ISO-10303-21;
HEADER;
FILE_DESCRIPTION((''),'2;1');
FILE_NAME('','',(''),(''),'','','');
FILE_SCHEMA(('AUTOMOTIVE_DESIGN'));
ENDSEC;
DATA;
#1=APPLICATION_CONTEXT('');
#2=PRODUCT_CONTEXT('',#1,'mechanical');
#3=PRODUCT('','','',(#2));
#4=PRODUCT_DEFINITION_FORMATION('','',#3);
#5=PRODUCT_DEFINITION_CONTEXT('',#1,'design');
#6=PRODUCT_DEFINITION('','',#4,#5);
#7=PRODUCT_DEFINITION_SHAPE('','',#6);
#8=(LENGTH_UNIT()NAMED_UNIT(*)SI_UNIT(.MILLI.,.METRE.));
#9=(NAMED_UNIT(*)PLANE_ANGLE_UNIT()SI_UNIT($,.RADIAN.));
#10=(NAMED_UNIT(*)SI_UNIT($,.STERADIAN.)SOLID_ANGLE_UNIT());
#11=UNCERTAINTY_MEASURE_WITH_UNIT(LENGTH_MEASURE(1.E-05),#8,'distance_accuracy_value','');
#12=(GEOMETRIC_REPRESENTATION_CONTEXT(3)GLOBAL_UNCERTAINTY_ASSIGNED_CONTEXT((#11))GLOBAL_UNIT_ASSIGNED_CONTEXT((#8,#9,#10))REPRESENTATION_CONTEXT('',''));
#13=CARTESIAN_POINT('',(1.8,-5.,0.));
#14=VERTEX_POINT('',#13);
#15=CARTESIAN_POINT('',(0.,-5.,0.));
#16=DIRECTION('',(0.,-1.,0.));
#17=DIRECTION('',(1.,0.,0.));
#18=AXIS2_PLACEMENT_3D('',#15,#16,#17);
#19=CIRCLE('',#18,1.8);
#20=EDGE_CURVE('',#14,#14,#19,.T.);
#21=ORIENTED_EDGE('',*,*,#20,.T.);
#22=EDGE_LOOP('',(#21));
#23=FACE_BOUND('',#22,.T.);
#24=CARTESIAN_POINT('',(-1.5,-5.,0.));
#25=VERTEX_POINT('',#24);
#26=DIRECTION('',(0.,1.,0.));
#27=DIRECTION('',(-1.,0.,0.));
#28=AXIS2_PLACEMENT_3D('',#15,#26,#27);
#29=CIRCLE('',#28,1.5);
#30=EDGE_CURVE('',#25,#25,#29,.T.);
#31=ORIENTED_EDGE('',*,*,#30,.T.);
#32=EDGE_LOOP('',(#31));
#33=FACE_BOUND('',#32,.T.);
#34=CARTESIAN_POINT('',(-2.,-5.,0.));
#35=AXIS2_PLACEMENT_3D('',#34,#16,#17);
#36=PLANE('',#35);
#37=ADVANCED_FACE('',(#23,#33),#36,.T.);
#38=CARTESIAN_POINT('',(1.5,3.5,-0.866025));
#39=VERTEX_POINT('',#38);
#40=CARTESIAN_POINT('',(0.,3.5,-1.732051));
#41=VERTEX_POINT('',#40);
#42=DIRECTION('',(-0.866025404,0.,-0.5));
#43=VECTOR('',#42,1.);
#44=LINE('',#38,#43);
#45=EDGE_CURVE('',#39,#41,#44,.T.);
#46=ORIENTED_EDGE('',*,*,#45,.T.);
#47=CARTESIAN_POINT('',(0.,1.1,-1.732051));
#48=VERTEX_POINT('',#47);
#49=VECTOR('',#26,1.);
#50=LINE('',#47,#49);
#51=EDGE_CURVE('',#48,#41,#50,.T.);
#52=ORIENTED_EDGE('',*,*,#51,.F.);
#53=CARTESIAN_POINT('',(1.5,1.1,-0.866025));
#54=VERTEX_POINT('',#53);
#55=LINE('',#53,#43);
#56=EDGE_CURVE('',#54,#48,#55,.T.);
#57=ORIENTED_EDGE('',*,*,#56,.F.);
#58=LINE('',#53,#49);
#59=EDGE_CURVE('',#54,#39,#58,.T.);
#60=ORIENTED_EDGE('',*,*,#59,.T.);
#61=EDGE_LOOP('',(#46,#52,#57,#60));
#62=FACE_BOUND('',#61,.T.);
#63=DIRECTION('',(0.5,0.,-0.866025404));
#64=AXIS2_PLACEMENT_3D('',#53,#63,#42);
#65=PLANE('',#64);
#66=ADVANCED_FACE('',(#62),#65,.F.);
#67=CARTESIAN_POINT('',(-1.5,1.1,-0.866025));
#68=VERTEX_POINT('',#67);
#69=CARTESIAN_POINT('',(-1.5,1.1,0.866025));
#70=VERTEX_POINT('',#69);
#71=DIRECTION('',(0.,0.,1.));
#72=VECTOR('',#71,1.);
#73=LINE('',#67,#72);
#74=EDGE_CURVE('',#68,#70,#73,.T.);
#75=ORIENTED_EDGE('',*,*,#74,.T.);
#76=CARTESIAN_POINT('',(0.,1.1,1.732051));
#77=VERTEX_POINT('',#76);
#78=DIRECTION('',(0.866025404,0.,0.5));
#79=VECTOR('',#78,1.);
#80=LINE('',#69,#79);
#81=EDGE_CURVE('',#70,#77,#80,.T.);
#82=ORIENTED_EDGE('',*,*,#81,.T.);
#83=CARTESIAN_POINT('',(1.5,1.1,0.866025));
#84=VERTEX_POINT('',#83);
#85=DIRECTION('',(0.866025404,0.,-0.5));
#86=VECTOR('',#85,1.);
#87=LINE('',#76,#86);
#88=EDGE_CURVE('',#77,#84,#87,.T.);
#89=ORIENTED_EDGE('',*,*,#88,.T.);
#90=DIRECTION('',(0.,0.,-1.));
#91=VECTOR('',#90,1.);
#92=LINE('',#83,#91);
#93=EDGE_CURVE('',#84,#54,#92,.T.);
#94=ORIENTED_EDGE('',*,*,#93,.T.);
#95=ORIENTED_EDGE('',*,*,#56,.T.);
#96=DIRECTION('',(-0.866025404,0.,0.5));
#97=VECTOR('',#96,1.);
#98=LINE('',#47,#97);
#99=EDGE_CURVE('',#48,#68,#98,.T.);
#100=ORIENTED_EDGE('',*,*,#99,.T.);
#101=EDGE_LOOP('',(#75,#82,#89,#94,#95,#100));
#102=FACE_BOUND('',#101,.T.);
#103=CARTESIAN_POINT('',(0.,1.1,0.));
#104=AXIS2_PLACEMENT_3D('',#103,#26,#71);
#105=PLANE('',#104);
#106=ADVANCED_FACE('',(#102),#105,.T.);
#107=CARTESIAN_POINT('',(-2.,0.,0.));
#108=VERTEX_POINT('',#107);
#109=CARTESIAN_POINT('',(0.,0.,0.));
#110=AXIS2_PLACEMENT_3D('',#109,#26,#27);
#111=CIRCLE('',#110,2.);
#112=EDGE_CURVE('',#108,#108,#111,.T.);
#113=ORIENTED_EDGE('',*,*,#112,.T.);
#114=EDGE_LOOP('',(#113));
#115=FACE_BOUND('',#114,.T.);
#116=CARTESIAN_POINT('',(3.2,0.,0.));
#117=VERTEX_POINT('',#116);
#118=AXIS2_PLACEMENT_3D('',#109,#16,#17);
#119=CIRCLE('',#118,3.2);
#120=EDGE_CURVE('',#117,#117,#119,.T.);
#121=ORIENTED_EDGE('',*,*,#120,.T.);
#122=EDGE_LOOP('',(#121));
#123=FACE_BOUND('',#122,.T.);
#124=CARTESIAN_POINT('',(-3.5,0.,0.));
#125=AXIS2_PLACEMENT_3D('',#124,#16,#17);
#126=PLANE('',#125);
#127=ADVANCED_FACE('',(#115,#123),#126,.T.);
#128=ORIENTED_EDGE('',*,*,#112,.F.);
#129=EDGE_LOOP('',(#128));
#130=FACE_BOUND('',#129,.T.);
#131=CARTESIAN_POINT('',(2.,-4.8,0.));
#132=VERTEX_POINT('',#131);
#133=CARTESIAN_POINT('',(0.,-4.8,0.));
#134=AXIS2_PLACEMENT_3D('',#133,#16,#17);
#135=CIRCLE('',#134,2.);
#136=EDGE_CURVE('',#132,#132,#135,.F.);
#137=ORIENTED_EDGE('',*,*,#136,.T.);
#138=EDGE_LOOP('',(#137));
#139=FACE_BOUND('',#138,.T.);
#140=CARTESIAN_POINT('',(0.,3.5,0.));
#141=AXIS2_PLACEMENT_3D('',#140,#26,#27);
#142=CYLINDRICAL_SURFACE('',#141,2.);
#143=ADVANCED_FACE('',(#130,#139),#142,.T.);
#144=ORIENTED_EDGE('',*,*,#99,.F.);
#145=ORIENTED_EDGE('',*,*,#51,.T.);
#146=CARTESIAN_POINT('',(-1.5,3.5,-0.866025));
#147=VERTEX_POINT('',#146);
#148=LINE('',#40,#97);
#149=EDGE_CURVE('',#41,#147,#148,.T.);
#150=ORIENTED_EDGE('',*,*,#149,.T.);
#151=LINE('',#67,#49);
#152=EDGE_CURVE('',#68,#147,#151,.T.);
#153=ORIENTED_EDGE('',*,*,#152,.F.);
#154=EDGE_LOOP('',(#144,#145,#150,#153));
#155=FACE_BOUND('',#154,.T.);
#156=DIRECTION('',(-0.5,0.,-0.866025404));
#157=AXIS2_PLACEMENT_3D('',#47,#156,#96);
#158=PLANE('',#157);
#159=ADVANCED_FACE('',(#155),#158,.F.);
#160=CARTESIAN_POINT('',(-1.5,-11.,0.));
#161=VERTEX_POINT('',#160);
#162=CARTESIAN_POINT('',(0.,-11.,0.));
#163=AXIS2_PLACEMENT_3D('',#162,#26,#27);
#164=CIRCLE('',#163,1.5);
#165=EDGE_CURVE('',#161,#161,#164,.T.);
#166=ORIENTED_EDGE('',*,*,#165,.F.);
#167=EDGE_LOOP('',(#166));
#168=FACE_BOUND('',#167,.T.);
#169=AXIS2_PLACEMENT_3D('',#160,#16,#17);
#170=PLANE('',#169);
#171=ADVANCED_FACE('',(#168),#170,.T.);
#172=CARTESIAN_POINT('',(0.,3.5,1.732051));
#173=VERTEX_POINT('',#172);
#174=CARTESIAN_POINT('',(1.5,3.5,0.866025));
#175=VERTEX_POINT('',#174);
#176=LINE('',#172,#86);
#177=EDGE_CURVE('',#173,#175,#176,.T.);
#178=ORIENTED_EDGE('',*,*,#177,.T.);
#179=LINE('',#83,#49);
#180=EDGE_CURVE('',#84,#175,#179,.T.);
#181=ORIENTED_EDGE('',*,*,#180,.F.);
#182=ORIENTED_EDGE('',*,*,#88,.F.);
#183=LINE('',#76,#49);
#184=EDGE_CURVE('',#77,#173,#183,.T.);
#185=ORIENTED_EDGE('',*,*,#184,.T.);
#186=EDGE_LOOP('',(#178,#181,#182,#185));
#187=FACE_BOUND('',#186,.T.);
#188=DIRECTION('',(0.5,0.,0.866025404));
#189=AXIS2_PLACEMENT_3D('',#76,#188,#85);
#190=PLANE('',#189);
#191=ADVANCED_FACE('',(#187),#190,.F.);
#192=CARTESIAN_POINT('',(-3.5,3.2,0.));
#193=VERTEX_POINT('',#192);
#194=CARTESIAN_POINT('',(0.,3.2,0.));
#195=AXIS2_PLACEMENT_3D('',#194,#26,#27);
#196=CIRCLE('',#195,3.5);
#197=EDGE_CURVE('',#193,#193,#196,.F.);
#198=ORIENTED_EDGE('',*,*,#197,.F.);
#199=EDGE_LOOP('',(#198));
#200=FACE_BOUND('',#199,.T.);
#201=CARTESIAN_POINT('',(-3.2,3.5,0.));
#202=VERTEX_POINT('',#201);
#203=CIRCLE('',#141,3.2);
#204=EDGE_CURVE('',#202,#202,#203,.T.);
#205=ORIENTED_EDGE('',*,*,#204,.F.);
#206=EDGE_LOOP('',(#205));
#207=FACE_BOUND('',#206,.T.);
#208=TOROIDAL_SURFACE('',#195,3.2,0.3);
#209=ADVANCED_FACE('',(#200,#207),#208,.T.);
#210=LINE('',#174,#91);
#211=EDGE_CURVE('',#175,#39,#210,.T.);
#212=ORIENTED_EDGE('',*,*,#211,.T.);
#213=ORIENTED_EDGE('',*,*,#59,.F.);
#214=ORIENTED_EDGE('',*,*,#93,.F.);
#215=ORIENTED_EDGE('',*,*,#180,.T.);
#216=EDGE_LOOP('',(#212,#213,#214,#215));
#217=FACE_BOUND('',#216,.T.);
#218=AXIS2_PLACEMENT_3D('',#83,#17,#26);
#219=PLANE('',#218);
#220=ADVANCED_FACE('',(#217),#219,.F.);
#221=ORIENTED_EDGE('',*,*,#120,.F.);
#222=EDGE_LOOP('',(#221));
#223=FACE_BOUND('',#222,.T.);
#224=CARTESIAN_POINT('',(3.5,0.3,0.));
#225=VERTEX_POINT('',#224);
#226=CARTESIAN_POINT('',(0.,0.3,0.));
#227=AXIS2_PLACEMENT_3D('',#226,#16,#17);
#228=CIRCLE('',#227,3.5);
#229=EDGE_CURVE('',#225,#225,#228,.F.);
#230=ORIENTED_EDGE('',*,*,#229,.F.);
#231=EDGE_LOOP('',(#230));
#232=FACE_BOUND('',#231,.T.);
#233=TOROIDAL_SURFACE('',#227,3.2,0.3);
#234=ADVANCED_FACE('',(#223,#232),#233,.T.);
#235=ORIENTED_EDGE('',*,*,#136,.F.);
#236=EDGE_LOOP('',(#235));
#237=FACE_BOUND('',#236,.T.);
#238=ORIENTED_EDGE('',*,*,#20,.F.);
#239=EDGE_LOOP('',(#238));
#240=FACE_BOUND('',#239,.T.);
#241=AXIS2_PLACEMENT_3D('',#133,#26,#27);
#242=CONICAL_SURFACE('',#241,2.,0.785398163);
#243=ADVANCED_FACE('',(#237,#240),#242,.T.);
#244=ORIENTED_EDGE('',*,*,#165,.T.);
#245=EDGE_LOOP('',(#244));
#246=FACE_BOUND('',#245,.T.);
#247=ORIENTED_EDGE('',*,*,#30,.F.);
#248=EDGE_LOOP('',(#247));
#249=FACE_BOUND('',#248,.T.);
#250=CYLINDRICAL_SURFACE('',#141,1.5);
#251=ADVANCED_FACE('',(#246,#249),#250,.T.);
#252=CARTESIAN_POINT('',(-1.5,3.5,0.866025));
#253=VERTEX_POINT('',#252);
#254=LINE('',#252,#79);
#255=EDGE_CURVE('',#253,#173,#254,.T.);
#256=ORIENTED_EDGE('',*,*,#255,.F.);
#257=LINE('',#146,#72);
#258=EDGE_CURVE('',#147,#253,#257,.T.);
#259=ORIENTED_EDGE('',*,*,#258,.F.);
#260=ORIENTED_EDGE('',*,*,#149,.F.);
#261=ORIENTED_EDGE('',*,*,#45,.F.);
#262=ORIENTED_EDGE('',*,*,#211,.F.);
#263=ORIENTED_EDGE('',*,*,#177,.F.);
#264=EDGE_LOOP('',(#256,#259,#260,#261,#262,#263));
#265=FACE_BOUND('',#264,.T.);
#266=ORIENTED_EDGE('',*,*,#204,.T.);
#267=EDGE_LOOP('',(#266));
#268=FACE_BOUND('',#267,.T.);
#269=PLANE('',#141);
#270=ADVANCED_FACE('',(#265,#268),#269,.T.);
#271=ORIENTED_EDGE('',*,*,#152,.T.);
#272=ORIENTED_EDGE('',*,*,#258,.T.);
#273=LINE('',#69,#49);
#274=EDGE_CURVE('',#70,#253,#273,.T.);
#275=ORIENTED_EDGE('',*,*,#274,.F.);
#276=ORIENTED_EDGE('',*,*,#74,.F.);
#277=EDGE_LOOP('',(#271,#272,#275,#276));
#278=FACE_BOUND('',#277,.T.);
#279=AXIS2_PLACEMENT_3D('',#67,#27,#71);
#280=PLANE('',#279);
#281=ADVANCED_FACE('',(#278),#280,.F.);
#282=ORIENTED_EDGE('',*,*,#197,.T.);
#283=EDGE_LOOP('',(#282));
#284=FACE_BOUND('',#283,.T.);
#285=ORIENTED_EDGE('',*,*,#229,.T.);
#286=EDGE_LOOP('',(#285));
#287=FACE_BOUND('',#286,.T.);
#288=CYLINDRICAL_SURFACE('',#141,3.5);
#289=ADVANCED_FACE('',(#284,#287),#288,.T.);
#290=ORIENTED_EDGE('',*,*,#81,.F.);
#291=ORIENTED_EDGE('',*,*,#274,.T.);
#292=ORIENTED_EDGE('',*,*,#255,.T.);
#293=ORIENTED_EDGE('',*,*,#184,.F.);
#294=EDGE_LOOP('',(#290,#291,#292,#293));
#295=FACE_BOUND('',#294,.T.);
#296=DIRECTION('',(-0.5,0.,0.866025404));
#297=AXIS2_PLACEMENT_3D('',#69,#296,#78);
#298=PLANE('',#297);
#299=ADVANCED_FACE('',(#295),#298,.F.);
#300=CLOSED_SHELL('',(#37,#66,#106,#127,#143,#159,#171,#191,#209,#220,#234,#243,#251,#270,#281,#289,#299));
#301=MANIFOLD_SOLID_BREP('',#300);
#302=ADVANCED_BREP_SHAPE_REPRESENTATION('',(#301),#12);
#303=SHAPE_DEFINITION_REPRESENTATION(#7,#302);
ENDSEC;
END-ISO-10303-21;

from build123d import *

# Parameters (mm, degrees)
FILLET1_R          = 0.3
CUT_EXTRUDE1_DEPTH = 2.4
CHAMFER1_SIZE      = 0.2


with BuildPart() as part:
    # Sketch1 → Revolve1 (revolve)
    with BuildSketch(Plane.XY):
        Polygon((0, 3.5), (-3.5, 3.5), (-3.5, 0), (-2, 0), (-2, -5), (-1.5, -5), (-1.5, -11), (0, -11), align=None)
    revolve(axis=Axis((0, 3.5, 0), (0, -1, 0)))

    # Fillet1
    fillet1_edges = [part.edges().sort_by_distance(p)[0] for p in [
        (3.5, 0, 0),
        (3.5, 3.5, 0),
    ]]
    fillet(fillet1_edges, radius=FILLET1_R)

    # Sketch2 → Cut-Extrude1 (cut)
    with BuildSketch(Plane(origin=(0, 3.5, 0), x_dir=(1, 0, 0), z_dir=(0, 1, 0))):
        Polygon((1.5, 0.866025404), (0, 1.732050808), (-1.5, 0.866025404), (-1.5, -0.866025404), (0, -1.732050808), (1.5, -0.866025404), align=None)
    extrude(amount=-CUT_EXTRUDE1_DEPTH, mode=Mode.SUBTRACT)

    # Chamfer1
    chamfer1_edges = [part.edges().sort_by_distance(p)[0] for p in [
        (2, -5, 0),
    ]]
    chamfer(chamfer1_edges, length=CHAMFER1_SIZE)


solid = part.part
